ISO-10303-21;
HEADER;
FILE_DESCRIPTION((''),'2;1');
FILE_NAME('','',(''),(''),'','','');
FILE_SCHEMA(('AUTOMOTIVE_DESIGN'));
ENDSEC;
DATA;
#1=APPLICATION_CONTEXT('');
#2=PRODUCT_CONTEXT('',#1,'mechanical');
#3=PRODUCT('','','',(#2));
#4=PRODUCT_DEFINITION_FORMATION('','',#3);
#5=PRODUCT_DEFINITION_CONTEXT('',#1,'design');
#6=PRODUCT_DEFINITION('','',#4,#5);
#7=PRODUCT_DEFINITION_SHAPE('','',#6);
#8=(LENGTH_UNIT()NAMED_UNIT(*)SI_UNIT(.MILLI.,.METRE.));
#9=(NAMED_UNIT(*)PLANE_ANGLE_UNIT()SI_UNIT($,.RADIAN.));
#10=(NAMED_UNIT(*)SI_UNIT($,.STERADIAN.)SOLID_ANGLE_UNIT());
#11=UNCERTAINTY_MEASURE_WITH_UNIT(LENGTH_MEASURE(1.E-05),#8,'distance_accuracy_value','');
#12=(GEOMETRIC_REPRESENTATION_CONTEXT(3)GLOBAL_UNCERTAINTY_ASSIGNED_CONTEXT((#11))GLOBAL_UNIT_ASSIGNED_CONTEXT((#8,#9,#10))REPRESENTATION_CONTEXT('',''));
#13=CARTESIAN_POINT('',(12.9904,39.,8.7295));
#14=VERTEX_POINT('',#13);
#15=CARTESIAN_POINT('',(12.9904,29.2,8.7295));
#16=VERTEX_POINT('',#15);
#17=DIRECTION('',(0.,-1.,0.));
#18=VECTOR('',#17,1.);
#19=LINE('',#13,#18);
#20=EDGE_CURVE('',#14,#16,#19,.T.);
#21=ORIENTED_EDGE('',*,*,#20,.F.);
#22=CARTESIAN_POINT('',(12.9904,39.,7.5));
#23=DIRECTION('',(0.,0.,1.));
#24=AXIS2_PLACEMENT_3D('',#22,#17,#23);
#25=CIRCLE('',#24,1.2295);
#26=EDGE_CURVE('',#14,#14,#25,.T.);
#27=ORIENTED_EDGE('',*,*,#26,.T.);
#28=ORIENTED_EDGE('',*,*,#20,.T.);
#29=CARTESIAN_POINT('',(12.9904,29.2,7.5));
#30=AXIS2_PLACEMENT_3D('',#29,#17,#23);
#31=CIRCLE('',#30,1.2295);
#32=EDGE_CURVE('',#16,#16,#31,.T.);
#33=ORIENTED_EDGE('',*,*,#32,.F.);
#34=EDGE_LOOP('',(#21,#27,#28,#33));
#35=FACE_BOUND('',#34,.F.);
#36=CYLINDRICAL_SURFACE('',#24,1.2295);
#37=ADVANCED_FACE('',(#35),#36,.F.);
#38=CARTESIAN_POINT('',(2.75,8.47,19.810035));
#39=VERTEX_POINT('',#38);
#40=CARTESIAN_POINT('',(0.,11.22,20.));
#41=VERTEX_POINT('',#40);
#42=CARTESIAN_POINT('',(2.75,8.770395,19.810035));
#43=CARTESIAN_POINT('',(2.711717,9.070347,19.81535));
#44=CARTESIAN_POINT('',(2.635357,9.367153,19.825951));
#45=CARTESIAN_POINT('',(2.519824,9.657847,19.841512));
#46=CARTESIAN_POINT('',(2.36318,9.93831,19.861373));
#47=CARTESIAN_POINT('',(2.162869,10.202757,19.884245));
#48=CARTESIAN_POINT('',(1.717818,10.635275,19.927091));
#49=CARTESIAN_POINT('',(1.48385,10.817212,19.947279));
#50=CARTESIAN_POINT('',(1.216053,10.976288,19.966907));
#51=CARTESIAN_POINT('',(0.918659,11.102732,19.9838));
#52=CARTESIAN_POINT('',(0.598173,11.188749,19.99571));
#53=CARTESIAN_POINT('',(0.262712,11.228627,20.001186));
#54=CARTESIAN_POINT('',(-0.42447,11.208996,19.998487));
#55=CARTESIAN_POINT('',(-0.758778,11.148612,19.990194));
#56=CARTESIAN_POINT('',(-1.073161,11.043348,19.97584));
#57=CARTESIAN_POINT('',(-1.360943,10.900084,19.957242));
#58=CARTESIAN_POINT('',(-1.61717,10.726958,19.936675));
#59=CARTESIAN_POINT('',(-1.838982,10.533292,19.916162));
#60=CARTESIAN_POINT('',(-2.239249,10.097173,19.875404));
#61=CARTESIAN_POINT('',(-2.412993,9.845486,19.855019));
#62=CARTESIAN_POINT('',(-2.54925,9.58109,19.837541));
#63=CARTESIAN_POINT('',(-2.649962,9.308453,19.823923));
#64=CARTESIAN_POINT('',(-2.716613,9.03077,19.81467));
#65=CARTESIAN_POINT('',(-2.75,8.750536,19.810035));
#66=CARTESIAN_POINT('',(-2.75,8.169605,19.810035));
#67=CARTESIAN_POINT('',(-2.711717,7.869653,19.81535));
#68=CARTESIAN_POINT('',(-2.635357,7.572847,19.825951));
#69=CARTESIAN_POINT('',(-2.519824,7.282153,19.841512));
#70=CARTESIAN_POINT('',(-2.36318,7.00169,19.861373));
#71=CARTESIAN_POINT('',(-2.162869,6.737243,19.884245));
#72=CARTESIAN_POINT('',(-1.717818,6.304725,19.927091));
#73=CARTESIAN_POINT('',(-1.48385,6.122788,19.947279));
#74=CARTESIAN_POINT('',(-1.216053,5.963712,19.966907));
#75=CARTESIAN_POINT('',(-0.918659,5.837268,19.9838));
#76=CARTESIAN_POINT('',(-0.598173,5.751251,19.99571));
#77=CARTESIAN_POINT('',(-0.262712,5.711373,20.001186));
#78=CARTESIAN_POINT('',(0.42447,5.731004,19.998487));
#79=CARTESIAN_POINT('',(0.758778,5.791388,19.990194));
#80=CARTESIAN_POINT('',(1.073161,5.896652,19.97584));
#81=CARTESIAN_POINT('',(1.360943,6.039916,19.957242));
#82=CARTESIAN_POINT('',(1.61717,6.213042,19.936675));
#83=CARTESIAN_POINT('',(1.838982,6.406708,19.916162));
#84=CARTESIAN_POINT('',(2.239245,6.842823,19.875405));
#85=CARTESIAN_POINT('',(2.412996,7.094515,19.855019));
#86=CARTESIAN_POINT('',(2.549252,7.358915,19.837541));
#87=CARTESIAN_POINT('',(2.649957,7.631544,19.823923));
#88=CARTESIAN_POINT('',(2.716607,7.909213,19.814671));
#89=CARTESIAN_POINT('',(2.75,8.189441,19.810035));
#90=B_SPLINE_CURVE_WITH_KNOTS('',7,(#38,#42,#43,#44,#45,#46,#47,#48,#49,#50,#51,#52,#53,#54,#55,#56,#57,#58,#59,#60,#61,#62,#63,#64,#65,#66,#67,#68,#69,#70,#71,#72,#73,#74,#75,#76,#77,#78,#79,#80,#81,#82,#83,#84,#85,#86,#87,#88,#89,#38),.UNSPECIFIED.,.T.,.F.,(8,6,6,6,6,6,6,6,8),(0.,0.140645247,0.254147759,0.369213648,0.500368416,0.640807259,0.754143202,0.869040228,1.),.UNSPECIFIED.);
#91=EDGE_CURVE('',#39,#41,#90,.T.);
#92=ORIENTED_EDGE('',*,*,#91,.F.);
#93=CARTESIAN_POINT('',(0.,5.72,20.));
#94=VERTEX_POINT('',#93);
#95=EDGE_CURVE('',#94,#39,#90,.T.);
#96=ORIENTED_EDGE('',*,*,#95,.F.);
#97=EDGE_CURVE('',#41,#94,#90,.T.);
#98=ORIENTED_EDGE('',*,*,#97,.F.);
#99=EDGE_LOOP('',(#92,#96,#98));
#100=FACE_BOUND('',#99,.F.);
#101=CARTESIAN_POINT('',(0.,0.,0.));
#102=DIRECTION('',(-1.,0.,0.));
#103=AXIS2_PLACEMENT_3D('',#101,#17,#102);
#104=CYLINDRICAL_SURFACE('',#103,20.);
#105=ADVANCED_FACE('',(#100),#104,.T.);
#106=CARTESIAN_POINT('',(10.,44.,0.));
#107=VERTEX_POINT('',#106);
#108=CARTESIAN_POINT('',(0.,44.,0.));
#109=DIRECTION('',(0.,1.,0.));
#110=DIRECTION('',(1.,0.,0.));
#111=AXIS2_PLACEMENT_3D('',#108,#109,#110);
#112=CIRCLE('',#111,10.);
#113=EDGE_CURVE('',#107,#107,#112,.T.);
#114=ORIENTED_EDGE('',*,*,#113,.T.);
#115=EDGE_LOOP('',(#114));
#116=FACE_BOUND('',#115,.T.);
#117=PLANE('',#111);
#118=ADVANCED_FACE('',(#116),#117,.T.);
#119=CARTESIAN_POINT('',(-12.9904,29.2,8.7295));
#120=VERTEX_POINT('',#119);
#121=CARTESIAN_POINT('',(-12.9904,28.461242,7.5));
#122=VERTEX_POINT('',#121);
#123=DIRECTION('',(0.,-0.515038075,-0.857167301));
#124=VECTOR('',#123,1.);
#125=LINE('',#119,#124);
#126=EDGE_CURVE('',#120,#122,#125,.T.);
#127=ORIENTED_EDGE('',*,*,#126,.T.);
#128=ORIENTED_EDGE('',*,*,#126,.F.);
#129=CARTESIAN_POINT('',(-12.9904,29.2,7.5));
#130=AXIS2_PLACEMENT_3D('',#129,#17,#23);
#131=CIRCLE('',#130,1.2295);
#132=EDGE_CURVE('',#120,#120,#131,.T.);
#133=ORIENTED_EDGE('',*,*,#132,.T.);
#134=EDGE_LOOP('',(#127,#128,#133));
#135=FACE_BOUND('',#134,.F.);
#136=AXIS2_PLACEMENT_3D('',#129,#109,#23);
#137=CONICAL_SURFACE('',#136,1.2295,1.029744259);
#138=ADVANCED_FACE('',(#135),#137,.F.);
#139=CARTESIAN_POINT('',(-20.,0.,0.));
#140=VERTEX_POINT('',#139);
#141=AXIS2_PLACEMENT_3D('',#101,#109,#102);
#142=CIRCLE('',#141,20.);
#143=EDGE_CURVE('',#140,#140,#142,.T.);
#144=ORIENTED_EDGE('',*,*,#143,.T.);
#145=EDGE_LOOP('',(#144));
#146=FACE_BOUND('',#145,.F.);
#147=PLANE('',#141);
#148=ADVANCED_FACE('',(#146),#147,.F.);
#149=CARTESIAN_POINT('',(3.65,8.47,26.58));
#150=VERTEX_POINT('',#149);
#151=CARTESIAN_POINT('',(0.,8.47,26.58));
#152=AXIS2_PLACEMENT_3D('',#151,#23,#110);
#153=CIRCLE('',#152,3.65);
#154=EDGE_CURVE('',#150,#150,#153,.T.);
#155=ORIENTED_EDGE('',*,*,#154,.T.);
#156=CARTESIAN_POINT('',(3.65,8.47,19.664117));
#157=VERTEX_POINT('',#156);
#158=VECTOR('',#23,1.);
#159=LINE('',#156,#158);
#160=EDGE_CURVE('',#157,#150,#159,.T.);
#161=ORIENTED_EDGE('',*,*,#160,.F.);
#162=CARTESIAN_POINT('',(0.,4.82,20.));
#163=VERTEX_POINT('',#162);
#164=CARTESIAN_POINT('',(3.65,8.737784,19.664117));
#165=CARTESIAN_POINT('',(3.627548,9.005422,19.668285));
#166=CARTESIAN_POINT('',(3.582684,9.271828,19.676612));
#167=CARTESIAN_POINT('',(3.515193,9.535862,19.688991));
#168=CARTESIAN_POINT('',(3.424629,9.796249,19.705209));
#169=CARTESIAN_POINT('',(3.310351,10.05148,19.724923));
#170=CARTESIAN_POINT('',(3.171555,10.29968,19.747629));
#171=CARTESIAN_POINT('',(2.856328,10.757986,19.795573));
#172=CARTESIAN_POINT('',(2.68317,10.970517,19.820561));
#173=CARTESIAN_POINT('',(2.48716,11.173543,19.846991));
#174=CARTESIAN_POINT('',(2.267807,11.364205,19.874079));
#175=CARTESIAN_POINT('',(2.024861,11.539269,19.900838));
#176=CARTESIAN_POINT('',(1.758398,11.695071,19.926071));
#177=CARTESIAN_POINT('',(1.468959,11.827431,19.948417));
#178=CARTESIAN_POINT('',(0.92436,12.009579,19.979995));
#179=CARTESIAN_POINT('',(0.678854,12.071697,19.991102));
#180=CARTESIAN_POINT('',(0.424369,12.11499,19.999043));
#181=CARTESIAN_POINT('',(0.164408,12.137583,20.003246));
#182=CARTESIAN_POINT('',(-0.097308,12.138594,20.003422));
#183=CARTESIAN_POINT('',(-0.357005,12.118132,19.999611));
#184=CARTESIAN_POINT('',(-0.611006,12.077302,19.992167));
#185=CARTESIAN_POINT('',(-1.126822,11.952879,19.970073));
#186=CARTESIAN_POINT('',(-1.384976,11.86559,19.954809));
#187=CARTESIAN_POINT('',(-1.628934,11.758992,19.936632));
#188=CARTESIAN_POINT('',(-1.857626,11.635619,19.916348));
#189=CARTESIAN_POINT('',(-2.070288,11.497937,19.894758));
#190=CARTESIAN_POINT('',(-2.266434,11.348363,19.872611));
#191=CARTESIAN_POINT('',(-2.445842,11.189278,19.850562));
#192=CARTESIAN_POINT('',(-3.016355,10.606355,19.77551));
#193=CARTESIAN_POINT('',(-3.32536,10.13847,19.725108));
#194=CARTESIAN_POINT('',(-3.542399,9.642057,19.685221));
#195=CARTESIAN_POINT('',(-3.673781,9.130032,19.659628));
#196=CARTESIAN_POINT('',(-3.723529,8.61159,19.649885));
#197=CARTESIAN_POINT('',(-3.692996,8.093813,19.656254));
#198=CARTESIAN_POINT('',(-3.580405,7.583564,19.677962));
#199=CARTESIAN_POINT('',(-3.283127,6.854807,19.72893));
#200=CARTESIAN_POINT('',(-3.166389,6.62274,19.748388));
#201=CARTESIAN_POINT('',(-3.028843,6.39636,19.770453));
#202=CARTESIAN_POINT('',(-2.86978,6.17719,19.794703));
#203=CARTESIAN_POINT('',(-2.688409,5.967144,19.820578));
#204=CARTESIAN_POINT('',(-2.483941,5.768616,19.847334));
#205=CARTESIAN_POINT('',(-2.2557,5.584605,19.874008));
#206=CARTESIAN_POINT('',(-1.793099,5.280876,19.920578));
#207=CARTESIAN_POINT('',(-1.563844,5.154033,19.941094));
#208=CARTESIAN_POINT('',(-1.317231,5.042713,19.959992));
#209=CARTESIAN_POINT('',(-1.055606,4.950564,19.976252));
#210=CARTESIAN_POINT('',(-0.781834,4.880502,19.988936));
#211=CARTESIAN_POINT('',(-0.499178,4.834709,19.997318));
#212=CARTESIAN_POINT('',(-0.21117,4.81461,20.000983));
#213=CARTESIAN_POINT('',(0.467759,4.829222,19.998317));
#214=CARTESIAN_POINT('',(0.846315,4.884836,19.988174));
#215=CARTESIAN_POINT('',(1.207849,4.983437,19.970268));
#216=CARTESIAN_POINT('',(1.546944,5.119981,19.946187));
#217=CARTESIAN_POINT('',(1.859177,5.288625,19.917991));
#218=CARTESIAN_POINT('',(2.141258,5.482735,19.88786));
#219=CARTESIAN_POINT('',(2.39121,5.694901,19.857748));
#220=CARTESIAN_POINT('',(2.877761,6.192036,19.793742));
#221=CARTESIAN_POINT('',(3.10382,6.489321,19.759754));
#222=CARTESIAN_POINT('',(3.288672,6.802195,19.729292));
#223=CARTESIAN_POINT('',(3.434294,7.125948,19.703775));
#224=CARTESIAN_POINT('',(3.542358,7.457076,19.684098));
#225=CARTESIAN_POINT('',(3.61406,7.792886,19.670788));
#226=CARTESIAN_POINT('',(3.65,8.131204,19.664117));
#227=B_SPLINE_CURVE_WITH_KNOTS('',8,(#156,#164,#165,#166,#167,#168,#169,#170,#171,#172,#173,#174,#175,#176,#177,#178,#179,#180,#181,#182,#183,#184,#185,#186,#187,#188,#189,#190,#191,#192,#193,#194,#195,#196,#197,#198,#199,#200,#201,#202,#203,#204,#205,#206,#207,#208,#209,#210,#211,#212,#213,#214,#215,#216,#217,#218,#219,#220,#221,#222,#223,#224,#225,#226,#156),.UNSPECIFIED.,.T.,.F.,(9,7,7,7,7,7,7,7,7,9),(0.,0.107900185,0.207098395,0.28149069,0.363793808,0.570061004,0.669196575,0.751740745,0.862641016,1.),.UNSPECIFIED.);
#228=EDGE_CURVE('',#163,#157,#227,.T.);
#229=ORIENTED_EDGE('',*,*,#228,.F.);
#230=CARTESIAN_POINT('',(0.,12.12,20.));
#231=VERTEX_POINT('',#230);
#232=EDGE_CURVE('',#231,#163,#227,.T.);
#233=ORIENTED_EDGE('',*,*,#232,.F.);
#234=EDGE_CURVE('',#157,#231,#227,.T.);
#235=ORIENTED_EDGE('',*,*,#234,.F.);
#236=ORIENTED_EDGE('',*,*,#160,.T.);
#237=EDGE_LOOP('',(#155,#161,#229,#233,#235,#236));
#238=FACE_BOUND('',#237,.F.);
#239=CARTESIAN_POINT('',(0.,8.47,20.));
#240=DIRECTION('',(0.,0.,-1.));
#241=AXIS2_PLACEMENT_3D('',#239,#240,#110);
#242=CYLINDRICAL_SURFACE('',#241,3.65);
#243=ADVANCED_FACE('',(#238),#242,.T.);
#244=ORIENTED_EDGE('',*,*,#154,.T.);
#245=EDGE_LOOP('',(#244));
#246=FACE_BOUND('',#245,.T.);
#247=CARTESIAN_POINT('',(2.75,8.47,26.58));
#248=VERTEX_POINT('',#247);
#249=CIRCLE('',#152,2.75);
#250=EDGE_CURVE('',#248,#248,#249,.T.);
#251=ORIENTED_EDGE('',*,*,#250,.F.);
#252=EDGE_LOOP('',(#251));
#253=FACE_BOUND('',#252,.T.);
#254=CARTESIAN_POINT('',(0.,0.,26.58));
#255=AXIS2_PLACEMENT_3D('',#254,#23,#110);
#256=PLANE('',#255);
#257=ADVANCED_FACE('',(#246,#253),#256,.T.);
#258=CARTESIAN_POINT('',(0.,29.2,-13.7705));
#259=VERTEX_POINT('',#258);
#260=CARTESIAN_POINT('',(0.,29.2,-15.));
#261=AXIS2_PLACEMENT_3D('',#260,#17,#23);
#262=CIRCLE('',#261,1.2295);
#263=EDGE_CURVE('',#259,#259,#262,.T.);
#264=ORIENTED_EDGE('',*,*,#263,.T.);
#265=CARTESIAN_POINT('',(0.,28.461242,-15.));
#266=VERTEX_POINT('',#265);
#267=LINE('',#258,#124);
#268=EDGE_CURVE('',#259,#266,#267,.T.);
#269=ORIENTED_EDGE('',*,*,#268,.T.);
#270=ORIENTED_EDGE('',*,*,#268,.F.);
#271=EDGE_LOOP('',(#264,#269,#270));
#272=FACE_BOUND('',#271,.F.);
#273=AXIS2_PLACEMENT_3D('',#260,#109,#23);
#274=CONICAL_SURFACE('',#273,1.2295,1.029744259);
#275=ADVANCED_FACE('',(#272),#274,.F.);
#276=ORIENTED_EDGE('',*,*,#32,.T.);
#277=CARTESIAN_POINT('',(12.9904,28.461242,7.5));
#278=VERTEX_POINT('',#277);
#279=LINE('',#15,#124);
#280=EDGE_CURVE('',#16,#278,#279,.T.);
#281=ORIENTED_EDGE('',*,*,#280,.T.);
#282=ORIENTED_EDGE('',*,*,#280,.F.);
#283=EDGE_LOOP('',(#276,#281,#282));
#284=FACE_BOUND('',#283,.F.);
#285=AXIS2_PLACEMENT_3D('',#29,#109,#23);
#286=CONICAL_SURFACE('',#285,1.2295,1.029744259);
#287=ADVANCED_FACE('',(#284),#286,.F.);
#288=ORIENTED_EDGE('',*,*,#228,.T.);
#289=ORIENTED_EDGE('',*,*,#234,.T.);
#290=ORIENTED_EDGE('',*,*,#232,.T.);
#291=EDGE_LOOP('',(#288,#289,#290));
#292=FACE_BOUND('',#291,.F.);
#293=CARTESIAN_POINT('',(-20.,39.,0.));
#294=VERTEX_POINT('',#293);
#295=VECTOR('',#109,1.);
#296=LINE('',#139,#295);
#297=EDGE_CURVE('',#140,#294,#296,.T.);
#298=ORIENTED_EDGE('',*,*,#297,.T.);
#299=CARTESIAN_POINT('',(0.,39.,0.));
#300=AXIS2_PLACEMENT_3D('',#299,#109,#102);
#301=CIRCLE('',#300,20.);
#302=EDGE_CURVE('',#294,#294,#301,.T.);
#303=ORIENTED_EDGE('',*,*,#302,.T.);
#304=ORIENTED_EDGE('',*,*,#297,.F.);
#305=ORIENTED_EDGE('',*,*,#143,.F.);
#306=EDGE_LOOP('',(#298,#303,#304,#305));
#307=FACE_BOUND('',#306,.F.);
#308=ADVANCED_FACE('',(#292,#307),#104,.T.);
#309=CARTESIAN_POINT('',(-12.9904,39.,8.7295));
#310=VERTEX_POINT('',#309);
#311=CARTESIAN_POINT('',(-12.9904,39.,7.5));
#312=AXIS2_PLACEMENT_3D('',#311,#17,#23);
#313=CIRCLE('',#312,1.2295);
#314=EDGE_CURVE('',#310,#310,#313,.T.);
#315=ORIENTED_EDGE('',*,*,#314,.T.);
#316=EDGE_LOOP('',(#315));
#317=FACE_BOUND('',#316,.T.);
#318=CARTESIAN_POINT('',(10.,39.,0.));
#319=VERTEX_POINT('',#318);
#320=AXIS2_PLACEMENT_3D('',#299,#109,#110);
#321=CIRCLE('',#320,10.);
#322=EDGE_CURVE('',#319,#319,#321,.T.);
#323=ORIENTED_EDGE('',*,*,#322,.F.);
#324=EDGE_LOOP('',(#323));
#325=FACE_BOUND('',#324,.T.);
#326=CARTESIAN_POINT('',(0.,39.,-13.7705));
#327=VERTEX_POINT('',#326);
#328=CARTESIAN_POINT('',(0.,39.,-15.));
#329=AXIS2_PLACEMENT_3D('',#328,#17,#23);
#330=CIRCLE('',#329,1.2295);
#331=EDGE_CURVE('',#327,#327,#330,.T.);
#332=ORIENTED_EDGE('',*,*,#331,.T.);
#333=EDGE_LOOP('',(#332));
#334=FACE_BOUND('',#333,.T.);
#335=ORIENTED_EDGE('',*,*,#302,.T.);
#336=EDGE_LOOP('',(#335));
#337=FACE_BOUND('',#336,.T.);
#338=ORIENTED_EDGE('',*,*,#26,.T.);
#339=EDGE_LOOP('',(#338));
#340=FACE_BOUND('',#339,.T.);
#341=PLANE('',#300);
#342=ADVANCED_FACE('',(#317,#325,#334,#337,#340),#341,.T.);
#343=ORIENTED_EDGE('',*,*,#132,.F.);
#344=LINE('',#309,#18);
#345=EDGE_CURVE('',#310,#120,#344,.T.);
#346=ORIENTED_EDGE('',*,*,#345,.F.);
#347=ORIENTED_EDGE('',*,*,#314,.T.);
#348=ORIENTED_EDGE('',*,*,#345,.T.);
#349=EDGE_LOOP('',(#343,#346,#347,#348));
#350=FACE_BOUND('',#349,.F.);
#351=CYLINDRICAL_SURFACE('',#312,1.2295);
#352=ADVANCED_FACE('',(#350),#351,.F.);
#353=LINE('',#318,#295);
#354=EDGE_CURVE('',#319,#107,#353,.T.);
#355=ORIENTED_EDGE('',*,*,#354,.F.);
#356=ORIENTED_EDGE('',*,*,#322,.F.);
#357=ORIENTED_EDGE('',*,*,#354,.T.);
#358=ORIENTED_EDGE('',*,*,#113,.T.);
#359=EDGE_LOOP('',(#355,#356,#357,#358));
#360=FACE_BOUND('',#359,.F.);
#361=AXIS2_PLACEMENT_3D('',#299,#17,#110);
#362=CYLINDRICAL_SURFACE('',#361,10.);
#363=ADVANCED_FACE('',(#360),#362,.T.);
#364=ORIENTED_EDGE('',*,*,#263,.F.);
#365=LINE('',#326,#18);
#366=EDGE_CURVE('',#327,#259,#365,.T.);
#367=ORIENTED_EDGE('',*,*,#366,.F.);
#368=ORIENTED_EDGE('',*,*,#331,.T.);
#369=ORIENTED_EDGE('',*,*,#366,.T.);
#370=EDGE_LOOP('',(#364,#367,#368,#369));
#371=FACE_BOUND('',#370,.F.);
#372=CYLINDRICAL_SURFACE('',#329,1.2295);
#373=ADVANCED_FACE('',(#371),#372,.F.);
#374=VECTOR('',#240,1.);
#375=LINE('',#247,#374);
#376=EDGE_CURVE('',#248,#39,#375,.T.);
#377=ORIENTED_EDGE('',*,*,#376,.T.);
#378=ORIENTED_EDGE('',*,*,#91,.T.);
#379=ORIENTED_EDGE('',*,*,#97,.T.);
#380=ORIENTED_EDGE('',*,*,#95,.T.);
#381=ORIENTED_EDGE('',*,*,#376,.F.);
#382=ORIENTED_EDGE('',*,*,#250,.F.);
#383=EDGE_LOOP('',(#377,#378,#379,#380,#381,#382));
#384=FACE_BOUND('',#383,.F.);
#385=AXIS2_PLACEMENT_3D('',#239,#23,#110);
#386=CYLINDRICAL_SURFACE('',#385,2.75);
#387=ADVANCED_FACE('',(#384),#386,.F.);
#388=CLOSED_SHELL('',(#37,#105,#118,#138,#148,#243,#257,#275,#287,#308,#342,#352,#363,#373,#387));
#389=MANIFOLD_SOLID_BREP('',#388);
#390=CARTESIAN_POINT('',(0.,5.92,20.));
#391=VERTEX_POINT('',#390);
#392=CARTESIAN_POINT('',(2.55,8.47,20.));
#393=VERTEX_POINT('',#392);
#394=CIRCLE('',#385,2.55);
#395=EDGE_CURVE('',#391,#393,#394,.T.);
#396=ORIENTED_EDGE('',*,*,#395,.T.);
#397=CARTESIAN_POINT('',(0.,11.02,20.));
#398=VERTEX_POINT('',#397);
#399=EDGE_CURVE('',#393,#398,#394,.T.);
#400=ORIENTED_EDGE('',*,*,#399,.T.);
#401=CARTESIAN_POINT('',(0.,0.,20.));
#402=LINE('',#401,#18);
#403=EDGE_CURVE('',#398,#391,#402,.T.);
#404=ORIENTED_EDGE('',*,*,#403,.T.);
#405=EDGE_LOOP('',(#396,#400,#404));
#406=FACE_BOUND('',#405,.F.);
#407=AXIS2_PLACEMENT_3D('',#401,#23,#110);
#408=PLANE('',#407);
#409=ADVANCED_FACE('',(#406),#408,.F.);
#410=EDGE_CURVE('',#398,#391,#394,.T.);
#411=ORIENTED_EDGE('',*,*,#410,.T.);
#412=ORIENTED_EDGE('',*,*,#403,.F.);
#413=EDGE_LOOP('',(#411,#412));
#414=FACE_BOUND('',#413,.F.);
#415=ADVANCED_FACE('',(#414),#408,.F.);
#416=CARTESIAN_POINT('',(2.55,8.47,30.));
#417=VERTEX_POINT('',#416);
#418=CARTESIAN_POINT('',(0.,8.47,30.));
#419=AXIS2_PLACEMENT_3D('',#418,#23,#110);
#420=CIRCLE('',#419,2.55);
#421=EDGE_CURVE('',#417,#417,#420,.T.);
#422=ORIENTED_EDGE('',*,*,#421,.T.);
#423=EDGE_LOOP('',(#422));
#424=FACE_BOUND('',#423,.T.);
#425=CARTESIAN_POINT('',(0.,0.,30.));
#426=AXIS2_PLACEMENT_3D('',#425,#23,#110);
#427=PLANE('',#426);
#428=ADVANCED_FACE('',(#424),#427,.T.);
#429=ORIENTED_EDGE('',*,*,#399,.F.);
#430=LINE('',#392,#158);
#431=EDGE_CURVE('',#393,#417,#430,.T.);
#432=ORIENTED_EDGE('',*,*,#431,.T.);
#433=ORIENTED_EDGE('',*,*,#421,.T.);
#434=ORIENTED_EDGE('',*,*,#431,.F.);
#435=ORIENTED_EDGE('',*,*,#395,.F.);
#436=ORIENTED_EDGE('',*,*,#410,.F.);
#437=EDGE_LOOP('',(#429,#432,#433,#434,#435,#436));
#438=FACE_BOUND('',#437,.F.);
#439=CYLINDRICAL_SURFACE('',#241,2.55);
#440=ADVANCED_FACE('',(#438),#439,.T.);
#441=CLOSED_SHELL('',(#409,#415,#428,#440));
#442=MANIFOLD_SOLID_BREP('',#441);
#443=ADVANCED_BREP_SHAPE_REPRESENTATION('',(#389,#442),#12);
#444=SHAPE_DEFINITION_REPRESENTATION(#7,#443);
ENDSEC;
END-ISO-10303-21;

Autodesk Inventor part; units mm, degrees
ref_plane "YZ Plane" through (0, 0, 0) normal (1, 0, 0) x (0, 1, 0)
ref_plane "XZ Plane" through (0, 0, 0) normal (0, 1, 0) x (-1, 0, 0)
sketch "Sketch1" plane through (0, 0, 0) normal (0, 1, 0) x (-1, 0, 0)
  circle A0 centre (0, 0) radius 20
  dimension "d0" = 40
extrude "Extrusion1" add sketch "Sketch1" along normal blind 39
sketch "Sketch2" plane through (0, 39, 0) normal (0, 1, 0) x (1, 0, 0)
  circle A0 centre (0, 0) radius 10
  dimension "d3" = 20
extrude "Extrusion2" add sketch "Sketch2" along normal blind 5
sketch "Sketch3" plane through (0, 39, 0) normal (0, 1, 0) x (1, 0, 0)
  circle A0 centre (0, 0) radius 15 construction
  circle A1 centre (0, 0) radius 20 construction
  point P0 (0, 15)
  point P1 (-12.9904, -7.5)
  point P2 (12.9904, -7.5)
  dimension "d6" = 30
  dimension "d9" = 360
hole "Hole1" at (0, 39, -15) at (-12.9904, 39, 7.5) at (12.9904, 39, 7.5) direction (0, -1, 0) diameter 2.459 depth 9.8 tip angle 118 thread size "M3x0.5" class "6H" standard "ANSI Metric M Profile"
ref_plane "Work Plane2" through (0, 0, 20) normal (0, 0, 1) x (1, 0, 0)
sketch "Sketch6" plane through (0, 0, 20) normal (0, 0, 1) x (1, 0, 0)
  line L0 (20, 39) -> (-20, 39) projected
  line L1 (-20, 0) -> (20, 0) projected
  line L2 (-20, 0) -> (-20, 39) projected
  line L3 (20, 0) -> (20, 39) projected
  circle A0 centre (0, 8.47) radius 3.65
  circle A1 centre (0, 8.47) radius 2.75
  point P0 (0, 0)
  dimension "d25" = 7.3
  dimension "d26" = 8.47
  dimension "d29" = 0.9
extrude "Extrusion6" add sketch "Sketch6" along normal blind 6.58 and the other way blind 3.29 contours A0
sketch "Sketch7" plane through (0, 0, 20) normal (0, 0, 1) x (1, 0, 0)
  line L0 (20, 39) -> (-20, 39) projected
  line L1 (-20, 0) -> (-20, 39) projected
  line L2 (-20, 0) -> (20, 0) projected
  line L3 (20, 0) -> (20, 39) projected
  arc A0 (0, 4.82) -> (0, 12.12) centre (0, 8.47) ccw projected
  circle A1 centre (0, 8.47) radius 2.55
  point P0 (0, 0)
  dimension "d32" = 5.1
extrude "Extrusion7" add sketch "Sketch7" along normal blind 10 contours A1
properties part number "Belt Encoder Body"
